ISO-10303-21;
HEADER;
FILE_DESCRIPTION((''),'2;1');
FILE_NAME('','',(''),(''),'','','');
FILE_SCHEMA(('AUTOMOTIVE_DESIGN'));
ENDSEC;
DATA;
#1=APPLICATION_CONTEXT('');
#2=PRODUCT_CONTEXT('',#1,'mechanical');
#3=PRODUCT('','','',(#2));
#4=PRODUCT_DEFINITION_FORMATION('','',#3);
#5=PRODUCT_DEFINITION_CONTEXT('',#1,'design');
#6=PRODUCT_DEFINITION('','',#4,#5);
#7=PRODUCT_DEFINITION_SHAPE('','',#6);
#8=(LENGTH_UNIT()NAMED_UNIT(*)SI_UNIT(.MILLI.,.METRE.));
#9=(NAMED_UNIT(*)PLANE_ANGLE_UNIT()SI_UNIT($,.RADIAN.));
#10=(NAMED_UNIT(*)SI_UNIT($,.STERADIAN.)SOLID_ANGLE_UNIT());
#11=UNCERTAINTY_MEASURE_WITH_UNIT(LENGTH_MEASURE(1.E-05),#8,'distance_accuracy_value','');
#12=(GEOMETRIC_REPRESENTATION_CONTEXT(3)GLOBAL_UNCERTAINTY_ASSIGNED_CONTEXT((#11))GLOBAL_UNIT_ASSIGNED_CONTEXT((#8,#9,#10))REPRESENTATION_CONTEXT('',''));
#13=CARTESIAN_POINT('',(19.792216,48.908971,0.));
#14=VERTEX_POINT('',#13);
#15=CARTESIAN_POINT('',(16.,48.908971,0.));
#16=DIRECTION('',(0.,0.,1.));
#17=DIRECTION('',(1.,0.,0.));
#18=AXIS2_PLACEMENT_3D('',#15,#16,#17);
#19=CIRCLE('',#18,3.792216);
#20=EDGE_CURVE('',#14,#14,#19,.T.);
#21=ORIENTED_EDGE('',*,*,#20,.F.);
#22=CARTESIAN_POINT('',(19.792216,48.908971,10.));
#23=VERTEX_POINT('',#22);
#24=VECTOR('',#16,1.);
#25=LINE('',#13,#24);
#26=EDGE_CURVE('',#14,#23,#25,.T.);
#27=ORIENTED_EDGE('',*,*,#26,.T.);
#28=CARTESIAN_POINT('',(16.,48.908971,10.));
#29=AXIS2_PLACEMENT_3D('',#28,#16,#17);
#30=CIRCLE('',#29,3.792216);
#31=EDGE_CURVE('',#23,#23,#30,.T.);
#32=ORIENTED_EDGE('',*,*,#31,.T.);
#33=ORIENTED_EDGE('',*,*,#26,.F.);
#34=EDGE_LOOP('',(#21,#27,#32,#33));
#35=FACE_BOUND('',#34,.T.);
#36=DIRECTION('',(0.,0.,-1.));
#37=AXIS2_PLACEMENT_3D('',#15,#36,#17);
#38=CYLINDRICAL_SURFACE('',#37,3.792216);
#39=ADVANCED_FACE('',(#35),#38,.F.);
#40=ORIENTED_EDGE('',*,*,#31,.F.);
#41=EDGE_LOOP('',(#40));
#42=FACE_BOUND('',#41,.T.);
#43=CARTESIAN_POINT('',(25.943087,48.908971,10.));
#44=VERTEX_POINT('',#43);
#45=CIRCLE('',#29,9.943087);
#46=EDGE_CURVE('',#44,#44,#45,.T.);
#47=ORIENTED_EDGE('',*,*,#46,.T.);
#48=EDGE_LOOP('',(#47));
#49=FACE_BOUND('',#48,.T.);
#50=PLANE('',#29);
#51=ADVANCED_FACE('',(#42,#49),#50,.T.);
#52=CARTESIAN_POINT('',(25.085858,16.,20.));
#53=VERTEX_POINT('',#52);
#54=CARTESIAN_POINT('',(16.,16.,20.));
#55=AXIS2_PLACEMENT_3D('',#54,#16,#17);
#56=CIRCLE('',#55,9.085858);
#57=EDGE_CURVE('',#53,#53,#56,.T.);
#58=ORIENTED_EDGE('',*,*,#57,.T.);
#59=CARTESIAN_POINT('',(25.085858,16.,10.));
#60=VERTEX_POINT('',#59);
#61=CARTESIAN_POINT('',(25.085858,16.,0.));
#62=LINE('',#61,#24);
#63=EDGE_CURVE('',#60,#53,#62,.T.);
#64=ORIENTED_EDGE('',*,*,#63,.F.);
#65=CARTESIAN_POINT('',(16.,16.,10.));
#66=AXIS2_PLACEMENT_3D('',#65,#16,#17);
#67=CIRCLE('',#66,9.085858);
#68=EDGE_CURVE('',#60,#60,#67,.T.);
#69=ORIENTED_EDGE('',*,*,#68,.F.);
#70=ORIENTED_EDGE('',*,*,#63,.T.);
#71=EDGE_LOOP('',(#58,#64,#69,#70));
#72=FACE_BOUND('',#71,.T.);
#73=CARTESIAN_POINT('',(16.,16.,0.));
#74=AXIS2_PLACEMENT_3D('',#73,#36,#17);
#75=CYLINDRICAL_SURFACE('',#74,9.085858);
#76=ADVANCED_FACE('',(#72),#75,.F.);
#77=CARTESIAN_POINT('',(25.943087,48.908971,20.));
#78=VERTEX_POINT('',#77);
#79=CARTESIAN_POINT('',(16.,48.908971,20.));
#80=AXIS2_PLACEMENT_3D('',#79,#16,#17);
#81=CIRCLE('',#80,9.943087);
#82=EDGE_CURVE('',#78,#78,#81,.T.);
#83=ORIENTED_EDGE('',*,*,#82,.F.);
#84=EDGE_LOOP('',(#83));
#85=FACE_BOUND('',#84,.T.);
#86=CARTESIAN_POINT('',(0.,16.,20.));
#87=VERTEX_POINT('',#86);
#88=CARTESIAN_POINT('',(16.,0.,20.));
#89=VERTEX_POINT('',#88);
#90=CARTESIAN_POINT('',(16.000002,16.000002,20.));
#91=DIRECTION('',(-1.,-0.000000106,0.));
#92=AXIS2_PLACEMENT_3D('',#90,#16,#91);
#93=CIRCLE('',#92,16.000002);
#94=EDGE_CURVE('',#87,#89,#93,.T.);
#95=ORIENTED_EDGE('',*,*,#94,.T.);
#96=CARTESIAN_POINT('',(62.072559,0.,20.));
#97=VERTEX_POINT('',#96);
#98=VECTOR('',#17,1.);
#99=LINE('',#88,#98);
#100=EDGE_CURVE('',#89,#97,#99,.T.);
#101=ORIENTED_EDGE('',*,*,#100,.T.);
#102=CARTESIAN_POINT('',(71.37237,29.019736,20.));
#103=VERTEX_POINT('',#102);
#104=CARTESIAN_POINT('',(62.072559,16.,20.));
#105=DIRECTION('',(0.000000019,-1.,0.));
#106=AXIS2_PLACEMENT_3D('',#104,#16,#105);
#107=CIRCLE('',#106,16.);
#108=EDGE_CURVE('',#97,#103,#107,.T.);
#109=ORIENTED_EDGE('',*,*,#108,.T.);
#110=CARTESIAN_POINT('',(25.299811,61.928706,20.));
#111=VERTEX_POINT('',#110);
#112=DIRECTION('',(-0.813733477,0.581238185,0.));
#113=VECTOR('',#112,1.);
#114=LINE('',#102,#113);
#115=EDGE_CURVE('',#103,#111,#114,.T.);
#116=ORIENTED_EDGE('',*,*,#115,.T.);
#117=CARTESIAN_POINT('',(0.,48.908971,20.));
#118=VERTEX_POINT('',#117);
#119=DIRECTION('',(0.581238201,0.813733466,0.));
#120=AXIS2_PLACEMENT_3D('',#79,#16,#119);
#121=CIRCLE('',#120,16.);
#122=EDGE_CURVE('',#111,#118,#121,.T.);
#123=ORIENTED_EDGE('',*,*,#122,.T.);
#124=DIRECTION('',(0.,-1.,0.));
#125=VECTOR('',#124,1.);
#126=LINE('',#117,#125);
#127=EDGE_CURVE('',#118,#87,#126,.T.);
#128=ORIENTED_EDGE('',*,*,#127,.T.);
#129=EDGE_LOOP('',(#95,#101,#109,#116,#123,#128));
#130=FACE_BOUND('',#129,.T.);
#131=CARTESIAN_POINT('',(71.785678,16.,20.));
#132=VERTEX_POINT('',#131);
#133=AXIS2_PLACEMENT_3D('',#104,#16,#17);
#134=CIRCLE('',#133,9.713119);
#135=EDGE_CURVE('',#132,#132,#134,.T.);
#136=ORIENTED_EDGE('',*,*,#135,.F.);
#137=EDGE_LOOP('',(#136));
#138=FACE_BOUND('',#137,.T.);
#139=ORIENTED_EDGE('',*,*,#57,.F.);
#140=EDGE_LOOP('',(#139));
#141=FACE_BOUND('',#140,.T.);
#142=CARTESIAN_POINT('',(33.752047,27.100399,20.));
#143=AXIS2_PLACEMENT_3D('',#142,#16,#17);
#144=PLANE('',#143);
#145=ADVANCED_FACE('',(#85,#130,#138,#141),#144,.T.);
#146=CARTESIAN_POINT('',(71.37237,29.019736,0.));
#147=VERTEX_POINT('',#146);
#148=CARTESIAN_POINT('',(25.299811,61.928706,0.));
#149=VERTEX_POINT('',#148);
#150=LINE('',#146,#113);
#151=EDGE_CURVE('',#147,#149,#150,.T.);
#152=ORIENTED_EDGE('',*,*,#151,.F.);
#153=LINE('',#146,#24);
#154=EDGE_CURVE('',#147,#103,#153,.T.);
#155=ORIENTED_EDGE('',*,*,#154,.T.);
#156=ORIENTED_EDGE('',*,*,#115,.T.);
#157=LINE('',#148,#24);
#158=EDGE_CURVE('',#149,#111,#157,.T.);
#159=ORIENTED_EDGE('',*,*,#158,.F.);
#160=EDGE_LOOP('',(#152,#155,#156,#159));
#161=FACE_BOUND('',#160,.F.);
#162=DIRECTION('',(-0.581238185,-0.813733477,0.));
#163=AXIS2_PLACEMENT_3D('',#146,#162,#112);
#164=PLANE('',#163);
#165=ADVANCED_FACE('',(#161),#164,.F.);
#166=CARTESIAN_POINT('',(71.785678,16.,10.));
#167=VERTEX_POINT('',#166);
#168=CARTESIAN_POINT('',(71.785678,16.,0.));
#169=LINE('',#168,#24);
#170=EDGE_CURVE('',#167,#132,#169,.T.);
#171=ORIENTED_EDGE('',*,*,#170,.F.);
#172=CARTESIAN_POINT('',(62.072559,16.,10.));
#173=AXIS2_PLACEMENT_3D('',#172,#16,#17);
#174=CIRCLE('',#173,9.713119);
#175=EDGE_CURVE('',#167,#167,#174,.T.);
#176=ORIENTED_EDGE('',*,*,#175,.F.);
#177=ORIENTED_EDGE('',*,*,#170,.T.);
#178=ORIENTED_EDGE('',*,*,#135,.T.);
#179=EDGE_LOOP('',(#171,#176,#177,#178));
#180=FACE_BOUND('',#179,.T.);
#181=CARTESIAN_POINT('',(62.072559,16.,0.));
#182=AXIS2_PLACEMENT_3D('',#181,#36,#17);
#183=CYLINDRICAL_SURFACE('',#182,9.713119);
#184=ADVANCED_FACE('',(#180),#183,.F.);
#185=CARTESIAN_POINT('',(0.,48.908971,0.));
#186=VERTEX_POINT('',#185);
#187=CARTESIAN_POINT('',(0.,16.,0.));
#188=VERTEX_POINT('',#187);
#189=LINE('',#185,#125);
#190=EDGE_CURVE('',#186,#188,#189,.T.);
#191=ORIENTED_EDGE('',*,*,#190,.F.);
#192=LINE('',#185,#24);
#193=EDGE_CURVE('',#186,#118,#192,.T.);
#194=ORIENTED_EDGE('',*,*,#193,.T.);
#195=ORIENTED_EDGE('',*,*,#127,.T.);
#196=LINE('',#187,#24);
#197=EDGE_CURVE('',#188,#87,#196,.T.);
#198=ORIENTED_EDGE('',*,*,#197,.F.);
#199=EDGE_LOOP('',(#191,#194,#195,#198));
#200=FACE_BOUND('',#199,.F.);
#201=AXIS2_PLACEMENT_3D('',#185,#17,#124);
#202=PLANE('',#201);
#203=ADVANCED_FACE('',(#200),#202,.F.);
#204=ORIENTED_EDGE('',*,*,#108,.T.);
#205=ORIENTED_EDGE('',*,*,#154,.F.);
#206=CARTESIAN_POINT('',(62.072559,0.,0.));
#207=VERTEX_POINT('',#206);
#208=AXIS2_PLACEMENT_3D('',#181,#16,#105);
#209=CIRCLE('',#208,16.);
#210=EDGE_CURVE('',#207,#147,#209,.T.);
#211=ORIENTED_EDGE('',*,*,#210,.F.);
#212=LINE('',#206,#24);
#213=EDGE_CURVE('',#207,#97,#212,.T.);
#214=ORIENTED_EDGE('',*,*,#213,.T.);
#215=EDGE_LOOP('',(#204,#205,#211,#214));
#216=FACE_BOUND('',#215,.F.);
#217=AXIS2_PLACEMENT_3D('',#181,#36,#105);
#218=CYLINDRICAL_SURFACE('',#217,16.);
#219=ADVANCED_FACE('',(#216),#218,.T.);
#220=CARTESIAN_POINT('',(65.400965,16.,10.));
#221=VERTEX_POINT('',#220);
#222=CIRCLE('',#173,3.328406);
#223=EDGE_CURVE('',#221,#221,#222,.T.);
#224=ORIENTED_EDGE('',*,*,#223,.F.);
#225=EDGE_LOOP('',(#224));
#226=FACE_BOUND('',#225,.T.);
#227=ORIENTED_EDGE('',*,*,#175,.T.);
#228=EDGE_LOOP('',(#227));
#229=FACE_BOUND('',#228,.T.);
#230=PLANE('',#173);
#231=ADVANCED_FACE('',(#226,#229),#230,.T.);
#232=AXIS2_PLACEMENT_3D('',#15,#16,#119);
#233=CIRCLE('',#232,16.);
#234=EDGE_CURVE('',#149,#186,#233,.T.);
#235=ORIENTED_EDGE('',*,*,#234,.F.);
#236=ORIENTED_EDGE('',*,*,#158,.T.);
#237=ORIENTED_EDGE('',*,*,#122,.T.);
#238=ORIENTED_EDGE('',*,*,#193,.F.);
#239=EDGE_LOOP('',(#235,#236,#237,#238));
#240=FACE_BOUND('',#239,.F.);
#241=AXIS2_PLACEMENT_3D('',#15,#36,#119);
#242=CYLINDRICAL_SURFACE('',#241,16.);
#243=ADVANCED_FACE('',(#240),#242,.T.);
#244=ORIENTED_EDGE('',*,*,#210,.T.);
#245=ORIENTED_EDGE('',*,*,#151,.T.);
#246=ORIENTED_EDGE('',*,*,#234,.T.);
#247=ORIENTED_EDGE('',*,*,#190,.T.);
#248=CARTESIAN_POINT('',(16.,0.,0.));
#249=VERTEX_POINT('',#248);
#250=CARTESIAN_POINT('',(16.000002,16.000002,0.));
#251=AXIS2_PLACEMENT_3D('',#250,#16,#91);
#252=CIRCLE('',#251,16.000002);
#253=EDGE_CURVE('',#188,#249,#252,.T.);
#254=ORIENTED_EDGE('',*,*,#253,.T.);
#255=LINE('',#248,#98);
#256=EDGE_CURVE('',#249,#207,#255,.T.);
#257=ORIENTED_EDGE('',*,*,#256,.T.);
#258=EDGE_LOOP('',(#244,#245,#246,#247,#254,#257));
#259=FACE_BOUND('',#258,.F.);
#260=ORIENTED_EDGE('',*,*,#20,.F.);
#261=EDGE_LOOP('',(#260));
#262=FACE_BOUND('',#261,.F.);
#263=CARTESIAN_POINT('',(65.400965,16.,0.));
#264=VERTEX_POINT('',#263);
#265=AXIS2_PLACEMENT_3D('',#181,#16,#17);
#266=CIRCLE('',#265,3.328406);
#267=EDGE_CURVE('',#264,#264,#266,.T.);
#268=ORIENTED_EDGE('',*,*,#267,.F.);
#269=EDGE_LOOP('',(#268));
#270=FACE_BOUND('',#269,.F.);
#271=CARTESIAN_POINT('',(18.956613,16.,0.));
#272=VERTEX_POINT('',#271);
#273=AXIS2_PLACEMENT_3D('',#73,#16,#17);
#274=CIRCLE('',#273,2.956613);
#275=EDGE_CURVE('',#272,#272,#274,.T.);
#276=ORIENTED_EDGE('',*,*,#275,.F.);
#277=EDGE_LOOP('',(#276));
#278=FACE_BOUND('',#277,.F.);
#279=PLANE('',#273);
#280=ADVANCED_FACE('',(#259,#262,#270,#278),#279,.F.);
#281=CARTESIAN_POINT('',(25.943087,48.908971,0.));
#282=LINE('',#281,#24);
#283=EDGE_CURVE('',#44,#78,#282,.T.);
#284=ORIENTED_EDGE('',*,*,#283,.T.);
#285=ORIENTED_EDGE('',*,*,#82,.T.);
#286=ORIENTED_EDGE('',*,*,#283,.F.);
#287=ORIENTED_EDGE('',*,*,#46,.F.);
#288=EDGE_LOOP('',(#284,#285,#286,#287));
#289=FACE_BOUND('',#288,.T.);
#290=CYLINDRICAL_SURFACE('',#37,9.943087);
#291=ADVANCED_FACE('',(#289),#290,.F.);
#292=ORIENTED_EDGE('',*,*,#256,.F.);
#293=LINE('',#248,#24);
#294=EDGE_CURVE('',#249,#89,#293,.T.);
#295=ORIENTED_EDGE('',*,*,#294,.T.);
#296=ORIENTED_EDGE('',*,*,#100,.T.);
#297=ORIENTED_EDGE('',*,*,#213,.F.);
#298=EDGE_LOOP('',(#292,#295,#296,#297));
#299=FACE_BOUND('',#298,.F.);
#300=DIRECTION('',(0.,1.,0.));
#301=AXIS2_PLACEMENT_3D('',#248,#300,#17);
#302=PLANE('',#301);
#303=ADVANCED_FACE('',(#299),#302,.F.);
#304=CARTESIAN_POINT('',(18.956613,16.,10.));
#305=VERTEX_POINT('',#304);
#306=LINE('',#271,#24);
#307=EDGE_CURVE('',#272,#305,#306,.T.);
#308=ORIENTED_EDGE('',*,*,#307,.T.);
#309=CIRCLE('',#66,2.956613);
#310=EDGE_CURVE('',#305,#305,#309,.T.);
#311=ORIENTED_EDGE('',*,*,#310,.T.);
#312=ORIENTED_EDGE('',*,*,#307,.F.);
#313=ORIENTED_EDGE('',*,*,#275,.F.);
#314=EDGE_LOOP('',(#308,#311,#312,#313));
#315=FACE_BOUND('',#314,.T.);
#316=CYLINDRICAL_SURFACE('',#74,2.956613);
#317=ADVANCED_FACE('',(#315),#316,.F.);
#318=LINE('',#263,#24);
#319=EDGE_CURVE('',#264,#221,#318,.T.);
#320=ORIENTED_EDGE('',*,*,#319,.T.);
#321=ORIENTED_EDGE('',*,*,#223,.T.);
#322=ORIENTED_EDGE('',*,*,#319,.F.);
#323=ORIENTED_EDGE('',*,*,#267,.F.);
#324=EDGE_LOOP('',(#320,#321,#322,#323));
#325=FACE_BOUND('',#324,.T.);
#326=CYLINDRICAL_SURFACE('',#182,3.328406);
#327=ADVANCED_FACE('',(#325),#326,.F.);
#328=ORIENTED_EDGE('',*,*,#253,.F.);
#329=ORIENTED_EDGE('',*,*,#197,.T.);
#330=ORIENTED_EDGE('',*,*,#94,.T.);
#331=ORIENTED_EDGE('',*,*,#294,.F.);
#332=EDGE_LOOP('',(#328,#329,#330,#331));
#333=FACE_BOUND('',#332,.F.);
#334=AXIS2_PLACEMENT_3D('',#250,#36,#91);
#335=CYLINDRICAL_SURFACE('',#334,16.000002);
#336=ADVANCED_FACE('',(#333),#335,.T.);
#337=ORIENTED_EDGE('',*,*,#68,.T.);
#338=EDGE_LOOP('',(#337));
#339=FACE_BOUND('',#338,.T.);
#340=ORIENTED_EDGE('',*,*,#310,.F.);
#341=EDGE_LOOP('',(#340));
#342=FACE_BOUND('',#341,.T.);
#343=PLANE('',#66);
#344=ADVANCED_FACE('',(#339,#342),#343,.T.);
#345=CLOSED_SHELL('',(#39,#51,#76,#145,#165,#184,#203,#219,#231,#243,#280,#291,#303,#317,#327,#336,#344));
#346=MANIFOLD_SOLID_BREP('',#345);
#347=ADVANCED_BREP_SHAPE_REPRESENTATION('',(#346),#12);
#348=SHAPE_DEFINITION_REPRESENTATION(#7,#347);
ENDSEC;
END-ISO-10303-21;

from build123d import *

# Parameters (mm, degrees)
F0_R     = 9.085858
F0_R_2   = 9.713119
F0_R_3   = 9.943087
F1_DEPTH = 20
F0_R_4   = 2.956613
F0_R_5   = 3.792216
F0_R_6   = 3.328406
F2_DEPTH = 10


with BuildPart() as f1:
    # F0 (on Top) → F1 (new body)
    with BuildSketch(Plane.XY):
        with BuildLine():
            ThreePointArc((0, 16), (4.686292, 4.686292), (16, 0))
            Line((16, 0), (62.072559, 0))
            ThreePointArc((62.072559, 0), (77.309287, 11.117161), (71.37237, 29.019736))
            Line((71.37237, 29.019736), (25.299811, 61.928706))
            ThreePointArc((25.299811, 61.928706), (8.678695, 63.135653), (0, 48.908971))
            Line((0, 48.908971), (0, 16))
        make_face()
        with Locations((16, 16)):
            Circle(F0_R, mode=Mode.SUBTRACT)
        with Locations((62.072559, 16)):
            Circle(F0_R_2, mode=Mode.SUBTRACT)
        with Locations((16, 48.908971)):
            Circle(F0_R_3, mode=Mode.SUBTRACT)
    extrude(amount=F1_DEPTH)

    # F0 (on Top) → F2 (join)
    with BuildSketch(Plane.XY):
        with Locations((16, 16)):
            Circle(F0_R)
        with Locations((16, 16)):
            Circle(F0_R_4, mode=Mode.SUBTRACT)
        with Locations((16, 48.908971)):
            Circle(F0_R_3)
        with Locations((16, 48.908971)):
            Circle(F0_R_5, mode=Mode.SUBTRACT)
        with Locations((62.072559, 16)):
            Circle(F0_R_2)
        with Locations((62.072559, 16)):
            Circle(F0_R_6, mode=Mode.SUBTRACT)
    extrude(amount=F2_DEPTH)


solid = f1.part
